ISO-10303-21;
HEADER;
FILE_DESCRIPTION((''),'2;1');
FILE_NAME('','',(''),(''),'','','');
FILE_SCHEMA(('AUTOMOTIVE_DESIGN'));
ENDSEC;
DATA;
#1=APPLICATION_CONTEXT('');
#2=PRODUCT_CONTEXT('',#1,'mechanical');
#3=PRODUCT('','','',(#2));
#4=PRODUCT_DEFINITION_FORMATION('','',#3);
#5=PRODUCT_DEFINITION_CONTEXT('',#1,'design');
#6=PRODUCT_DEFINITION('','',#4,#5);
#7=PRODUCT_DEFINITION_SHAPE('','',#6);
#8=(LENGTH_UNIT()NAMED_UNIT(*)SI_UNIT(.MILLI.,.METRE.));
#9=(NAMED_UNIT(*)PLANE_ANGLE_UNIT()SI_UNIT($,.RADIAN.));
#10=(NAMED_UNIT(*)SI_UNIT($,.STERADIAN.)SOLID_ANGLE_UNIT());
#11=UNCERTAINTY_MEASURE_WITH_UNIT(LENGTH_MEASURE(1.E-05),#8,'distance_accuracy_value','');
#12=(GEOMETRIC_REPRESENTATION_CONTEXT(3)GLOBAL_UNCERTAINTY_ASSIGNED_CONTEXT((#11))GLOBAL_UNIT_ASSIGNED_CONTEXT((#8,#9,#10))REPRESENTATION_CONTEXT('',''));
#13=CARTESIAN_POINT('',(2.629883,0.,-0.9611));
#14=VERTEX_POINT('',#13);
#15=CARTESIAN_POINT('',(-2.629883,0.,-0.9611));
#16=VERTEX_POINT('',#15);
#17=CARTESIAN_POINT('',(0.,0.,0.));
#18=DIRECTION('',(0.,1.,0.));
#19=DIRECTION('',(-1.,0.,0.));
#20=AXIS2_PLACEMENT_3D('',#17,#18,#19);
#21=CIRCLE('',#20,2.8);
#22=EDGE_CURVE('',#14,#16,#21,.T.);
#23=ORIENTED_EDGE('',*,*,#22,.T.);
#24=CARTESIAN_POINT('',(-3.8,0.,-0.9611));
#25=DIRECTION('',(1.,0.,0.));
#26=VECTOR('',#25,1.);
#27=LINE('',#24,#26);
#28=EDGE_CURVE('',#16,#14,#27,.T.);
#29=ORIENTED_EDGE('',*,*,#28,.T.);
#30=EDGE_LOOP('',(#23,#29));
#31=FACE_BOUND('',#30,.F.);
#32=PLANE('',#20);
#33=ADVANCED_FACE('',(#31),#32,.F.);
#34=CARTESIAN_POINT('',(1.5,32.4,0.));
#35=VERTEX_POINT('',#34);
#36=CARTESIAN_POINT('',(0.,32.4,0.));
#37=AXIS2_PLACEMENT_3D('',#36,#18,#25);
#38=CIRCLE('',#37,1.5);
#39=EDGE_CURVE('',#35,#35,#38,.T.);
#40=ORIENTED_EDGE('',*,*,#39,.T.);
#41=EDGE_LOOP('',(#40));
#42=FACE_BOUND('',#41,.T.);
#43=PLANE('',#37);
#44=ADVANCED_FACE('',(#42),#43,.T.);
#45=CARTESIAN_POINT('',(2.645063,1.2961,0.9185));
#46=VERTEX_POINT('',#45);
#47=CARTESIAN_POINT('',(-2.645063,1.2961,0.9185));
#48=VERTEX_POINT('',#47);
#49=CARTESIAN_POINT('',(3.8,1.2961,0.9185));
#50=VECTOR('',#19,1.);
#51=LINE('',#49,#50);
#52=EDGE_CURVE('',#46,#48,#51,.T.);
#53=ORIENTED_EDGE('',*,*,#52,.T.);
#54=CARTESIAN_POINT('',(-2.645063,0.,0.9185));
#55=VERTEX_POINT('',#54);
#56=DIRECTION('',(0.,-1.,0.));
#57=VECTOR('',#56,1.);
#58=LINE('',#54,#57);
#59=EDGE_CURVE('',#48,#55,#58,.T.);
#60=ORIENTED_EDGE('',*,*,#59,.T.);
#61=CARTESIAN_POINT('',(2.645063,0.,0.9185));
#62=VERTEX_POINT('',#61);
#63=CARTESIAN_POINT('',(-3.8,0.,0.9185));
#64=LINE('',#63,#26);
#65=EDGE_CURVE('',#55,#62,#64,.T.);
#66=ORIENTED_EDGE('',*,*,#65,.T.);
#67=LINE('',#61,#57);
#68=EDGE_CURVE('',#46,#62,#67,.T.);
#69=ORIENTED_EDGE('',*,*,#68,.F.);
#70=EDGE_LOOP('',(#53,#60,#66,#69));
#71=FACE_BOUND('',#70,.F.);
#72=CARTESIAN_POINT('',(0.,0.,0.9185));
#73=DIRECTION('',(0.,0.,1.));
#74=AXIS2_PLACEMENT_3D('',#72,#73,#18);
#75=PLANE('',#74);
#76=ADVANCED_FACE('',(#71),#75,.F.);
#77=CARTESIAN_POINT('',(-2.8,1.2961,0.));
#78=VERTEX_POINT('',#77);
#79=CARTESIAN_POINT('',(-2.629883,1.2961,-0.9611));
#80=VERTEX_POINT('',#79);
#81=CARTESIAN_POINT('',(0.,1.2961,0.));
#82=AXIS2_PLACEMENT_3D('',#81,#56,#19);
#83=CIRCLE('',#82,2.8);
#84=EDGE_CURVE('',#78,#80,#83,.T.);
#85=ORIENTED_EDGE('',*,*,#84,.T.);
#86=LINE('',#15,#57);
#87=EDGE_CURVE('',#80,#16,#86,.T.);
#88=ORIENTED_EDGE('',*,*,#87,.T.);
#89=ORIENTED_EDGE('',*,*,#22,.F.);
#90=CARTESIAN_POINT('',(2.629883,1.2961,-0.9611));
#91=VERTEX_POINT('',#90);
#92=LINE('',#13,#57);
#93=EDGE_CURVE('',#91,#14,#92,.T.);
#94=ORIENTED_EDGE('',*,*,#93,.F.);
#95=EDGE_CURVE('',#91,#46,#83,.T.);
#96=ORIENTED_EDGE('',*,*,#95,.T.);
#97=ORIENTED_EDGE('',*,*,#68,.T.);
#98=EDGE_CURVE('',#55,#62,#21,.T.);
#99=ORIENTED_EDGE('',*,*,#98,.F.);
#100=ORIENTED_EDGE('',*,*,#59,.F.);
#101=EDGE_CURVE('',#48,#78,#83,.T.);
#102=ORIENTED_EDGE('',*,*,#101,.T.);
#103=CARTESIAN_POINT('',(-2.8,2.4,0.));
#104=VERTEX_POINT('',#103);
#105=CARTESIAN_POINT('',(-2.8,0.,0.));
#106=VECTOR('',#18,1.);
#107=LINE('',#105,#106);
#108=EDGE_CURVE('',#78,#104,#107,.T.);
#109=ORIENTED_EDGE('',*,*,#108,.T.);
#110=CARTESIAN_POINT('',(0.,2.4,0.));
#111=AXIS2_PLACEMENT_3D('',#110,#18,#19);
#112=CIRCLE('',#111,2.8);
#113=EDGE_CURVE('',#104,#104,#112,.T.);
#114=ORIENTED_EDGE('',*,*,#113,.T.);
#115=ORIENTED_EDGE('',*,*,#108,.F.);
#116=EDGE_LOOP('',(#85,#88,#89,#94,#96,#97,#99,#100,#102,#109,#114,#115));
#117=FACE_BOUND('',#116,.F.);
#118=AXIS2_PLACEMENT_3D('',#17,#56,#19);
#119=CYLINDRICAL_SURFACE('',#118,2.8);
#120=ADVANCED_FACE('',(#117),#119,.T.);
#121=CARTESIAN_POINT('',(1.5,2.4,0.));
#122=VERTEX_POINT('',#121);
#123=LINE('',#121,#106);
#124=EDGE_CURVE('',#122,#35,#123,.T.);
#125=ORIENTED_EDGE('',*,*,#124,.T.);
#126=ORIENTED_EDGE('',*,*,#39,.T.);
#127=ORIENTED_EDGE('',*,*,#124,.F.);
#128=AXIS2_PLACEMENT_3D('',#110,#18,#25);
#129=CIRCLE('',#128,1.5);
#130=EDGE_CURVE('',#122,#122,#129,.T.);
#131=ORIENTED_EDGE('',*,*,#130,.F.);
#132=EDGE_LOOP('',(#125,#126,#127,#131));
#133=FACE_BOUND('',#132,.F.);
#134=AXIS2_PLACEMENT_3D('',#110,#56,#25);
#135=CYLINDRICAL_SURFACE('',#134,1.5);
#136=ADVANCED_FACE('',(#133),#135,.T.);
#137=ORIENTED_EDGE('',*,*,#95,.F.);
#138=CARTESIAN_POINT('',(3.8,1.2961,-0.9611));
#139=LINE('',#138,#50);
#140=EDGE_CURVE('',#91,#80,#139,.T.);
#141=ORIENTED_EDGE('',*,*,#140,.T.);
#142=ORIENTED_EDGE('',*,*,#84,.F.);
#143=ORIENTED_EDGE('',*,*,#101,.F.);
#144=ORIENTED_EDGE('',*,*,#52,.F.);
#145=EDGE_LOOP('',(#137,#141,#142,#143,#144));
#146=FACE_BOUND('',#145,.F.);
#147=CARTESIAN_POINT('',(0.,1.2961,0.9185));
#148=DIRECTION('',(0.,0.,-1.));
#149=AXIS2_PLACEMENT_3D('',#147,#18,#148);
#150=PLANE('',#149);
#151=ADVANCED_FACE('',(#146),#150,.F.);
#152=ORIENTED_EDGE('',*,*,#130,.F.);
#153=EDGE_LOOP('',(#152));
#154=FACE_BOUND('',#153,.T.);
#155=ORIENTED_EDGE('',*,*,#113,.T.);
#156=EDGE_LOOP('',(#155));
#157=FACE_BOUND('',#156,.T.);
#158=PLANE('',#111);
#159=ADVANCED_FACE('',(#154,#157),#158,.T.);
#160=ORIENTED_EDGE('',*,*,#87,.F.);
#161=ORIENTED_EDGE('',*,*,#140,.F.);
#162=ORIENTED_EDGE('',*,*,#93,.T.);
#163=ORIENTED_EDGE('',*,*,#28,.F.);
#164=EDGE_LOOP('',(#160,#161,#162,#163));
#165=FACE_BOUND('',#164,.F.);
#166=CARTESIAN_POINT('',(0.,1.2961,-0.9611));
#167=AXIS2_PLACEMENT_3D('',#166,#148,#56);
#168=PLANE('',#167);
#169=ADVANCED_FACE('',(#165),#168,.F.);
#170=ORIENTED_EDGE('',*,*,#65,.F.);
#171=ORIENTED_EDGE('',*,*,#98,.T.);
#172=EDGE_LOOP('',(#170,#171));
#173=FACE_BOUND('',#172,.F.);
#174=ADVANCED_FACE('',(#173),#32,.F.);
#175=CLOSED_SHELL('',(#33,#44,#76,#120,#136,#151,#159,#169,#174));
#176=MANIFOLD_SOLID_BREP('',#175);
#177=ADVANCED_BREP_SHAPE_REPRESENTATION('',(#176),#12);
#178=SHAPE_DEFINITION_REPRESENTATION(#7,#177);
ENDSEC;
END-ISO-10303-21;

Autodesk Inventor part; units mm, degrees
ref_plane "YZ Plane" through (0, 0, 0) normal (1, 0, 0) x (0, 1, 0)
ref_plane "XZ Plane" through (0, 0, 0) normal (0, 1, 0) x (-1, 0, 0)
ref_plane "XY Plane" through (0, 0, 0) normal (0, 0, 1) x (1, 0, 0)
sketch "Esboço1" plane through (0, 0, 0) normal (0, 1, 0) x (-1, 0, 0)
  circle A0 centre (0, 0) radius 2.8
  dimension "d0" = 5.6
extrude "Extrusão1" add sketch "Esboço1" along normal blind 2.4
sketch "Esboço2" plane through (0, 0, 0) normal (1, 0, 0) x (0, 1, 0)
  line L0 (0, 0.9185) -> (1.2961, 0.9185)
  line L1 (1.2961, 0.9185) -> (1.2961, -0.9611)
  line L2 (1.2961, -0.9611) -> (0, -0.9611)
  line L3 (0, -0.9611) -> (0, 0.9185)
  point P0 (0, 0)
extrude "Extrusão2" cut sketch "Esboço2" along normal through all both and the other way through all
sketch "Esboço3" plane through (0, 2.4, 0) normal (0, 1, 0) x (1, 0, 0)
  circle A0 centre (0, 0) radius 2.8 projected
  circle A1 centre (0, 0) radius 1.5
  dimension "d5" = 3
extrude "Extrusão3" add sketch "Esboço3" along normal blind 30 contours A1
thread "Rosca1" size "M3x0.5" class "6g" standard "ANSI Metric M Profile" full length
properties part number "AA-Parafuso-M3-30"
